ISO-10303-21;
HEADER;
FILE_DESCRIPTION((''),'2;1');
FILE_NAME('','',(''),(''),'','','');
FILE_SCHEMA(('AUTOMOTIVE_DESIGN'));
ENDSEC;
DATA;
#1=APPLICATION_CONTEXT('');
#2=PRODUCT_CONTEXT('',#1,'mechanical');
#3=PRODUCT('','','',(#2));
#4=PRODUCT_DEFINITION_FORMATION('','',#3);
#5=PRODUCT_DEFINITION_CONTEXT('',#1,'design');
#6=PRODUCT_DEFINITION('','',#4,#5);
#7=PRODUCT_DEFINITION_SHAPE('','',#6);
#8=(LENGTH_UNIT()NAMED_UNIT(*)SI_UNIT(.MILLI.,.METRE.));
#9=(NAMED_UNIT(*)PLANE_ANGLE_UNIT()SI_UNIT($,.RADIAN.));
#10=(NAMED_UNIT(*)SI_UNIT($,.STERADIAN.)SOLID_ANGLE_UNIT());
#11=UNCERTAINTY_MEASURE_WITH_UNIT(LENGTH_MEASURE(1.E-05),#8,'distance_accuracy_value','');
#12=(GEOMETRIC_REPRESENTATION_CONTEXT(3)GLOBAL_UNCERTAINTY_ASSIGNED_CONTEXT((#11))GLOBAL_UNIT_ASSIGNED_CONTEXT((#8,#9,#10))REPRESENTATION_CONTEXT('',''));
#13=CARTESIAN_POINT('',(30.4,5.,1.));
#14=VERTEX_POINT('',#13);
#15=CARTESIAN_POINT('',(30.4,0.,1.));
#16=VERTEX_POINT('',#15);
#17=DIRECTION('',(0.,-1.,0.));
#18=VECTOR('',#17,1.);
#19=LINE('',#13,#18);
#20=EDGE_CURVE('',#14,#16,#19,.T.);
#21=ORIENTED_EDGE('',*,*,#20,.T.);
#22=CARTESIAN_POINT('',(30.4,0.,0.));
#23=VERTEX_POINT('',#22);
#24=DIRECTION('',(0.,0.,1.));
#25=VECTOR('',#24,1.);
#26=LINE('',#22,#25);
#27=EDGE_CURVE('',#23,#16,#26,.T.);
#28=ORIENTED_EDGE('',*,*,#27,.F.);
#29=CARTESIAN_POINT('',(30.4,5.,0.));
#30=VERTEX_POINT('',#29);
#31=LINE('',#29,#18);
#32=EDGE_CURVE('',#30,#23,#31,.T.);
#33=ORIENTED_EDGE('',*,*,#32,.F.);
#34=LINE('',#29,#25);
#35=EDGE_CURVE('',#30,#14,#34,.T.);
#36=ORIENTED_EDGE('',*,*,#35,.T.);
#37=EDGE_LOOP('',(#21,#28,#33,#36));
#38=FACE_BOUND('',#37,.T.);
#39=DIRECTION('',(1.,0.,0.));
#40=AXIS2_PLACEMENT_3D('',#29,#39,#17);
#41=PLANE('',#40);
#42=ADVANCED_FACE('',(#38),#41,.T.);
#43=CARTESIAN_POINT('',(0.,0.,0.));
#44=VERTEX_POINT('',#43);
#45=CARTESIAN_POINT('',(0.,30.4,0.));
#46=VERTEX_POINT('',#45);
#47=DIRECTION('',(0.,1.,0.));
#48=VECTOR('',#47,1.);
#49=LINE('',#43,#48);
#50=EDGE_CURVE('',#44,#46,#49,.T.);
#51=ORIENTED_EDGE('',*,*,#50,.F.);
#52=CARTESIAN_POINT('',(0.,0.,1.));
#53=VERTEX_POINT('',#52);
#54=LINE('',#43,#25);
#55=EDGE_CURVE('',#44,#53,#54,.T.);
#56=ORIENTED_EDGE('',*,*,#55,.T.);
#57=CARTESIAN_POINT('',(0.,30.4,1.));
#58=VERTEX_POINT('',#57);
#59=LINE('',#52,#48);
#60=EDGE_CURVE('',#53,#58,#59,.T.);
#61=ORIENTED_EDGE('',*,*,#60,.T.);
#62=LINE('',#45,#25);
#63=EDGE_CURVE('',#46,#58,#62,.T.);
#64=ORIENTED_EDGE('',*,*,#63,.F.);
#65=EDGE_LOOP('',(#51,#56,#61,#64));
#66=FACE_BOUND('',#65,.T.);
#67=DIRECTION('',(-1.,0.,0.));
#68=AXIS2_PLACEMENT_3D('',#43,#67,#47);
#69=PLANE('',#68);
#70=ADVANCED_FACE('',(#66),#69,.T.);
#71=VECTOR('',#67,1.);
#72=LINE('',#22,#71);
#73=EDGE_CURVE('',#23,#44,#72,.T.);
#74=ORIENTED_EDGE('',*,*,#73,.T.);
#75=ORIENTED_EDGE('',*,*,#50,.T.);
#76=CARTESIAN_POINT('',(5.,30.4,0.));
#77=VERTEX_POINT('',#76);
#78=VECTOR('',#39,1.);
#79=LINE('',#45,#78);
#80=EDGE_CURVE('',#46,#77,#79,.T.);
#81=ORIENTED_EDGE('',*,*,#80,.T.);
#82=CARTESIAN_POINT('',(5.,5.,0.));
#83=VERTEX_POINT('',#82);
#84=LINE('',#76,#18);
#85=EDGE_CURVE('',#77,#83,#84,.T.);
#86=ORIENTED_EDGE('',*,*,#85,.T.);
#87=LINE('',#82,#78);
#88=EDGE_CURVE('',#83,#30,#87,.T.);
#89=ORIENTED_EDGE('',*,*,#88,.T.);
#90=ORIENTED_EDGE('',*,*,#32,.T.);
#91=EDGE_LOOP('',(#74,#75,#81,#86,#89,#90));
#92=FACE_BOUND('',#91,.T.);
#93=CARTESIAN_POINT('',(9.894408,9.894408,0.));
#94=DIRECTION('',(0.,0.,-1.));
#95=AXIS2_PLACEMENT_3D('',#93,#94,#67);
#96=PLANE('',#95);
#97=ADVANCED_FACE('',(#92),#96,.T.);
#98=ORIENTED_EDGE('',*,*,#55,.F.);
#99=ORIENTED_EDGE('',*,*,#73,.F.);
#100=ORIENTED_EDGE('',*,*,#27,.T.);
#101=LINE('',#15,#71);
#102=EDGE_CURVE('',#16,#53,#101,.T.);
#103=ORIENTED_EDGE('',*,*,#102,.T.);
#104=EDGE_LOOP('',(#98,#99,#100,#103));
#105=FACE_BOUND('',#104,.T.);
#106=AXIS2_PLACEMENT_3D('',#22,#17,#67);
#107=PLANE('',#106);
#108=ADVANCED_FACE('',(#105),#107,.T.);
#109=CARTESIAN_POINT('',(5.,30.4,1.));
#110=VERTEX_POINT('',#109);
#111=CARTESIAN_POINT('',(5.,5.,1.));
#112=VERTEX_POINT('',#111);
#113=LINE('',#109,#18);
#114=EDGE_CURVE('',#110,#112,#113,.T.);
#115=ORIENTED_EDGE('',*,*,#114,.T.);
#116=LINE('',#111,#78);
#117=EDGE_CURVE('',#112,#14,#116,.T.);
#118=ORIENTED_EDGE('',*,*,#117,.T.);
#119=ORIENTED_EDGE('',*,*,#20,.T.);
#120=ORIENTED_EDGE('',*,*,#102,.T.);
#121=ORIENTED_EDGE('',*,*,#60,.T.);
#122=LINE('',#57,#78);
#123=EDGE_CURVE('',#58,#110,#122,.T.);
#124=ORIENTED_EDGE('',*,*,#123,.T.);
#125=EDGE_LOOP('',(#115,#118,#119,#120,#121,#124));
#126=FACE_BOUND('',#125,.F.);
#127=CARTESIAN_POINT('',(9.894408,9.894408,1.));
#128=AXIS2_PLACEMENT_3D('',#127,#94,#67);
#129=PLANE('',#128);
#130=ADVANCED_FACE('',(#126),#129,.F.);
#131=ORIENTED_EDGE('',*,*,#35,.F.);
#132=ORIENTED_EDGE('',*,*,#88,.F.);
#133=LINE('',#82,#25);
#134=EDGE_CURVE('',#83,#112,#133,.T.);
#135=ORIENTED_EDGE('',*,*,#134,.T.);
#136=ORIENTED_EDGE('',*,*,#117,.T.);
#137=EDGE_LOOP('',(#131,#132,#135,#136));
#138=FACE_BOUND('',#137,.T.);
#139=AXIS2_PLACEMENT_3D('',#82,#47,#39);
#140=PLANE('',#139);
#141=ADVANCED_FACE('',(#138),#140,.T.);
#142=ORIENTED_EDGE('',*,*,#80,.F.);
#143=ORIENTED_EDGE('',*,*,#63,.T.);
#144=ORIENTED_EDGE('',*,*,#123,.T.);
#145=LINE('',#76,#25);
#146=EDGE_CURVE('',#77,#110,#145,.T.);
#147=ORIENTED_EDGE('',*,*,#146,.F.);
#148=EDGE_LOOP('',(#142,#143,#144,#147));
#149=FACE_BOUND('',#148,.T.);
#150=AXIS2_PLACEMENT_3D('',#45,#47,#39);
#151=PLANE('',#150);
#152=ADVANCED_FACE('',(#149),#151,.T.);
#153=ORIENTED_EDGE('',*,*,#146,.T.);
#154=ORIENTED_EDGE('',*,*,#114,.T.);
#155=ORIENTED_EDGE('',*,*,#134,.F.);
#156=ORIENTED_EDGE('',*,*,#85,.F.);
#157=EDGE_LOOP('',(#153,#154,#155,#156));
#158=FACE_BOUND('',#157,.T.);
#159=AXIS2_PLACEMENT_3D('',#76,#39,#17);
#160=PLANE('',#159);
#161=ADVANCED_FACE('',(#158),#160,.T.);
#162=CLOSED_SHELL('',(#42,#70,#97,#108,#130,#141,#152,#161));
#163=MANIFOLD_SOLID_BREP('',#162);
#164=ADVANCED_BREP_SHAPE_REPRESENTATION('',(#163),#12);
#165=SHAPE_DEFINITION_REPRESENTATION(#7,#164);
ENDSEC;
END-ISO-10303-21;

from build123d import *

# Parameters (mm, degrees)
PAD_DEPTH = 1


with BuildPart() as part:
    # Sketch → Pad (new body)
    with BuildSketch(Plane.XY):
        Polygon((0, 30.4), (5, 30.4), (5, 5), (30.4, 5), (30.4, 0), (0, 0), align=None)
    extrude(amount=PAD_DEPTH)


solid = part.part
